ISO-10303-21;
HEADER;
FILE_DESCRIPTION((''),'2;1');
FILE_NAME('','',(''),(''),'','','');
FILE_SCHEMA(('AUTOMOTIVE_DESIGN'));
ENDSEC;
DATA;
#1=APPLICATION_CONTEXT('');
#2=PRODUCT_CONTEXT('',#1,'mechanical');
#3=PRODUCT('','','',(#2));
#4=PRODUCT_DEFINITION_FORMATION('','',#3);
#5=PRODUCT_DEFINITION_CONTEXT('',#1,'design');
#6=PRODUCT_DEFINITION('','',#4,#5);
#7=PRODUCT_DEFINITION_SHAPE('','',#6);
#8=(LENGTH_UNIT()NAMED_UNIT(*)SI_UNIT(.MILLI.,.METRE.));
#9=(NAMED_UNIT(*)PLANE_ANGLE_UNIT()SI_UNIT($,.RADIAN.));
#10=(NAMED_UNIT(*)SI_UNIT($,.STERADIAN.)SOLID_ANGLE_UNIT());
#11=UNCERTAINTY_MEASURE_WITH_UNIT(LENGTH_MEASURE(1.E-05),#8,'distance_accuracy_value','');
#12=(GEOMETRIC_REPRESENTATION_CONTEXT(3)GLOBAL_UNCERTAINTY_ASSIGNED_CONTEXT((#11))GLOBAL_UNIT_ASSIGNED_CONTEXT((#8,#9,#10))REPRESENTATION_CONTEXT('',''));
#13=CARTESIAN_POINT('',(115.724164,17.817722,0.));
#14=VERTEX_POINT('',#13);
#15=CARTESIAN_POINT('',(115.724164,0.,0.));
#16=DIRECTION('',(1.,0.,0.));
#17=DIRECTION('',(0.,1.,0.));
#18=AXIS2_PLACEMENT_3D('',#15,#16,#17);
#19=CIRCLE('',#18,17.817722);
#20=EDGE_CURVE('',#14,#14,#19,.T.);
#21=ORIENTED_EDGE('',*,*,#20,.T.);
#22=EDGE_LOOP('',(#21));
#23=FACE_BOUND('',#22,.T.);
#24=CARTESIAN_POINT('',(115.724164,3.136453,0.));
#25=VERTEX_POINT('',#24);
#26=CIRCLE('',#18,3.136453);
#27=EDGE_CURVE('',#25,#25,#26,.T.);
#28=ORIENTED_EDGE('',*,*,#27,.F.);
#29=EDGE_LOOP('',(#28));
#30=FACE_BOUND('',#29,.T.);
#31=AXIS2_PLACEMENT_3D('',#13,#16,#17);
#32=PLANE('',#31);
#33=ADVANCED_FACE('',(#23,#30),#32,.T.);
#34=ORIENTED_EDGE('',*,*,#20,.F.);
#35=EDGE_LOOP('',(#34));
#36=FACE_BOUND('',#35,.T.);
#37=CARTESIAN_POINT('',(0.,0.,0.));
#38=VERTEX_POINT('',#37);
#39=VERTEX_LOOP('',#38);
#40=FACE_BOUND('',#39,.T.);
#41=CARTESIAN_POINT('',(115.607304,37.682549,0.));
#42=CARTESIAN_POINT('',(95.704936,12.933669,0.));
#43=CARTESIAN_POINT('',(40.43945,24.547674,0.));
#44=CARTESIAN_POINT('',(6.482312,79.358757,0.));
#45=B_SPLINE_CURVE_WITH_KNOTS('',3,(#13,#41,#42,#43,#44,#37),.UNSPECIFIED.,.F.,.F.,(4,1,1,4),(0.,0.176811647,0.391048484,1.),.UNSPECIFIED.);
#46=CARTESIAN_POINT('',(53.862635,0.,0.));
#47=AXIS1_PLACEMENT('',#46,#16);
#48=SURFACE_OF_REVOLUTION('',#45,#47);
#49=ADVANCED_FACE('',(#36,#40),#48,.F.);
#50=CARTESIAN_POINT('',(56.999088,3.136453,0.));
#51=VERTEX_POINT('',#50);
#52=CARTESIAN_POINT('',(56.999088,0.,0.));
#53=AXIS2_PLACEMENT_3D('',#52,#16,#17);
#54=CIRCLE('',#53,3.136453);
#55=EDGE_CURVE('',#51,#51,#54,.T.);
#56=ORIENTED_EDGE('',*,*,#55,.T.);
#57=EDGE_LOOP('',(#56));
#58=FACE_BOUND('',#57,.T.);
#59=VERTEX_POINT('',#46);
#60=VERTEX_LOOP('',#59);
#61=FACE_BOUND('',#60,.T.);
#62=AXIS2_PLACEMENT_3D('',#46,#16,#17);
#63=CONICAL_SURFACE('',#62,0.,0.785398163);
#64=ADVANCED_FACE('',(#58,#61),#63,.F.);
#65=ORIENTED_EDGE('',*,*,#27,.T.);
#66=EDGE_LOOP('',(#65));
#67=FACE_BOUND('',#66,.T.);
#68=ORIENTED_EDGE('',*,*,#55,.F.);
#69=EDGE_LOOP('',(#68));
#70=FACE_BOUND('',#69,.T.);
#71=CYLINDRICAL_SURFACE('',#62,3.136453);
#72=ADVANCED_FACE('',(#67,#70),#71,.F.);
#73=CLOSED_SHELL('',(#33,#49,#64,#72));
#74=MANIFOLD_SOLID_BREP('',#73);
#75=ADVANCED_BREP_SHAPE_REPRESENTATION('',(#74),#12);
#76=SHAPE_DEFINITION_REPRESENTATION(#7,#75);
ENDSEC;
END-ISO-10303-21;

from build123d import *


with BuildPart() as part:
    # Esquisse1 → Révolution1 (revolve)
    with BuildSketch(Plane.XY):
        with BuildLine():
            Line((115.724163653, 17.817721799), (115.724163653, 3.136452901))
            Line((115.724163653, 3.136452901), (56.999088062, 3.136452901))
            Line((56.999088062, 3.136452901), (53.862635161, 0))
            Line((53.862635161, 0), (0, 0))
            add(Edge.make_bspline(
                [(0, 0), (6.482311818, 79.358757341), (40.439449664, 24.547674208), (95.704936422, 12.933668756), (115.607304115, 37.682549015), (115.724163653, 17.817721799)],
                knots=[0, 0, 0, 0, 0.608951516, 0.823188353, 1, 1, 1, 1], degree=3))
        make_face()
    revolve(axis=Axis((53.862635161, 0, 0), (-1, 0, 0)))


solid = part.part
